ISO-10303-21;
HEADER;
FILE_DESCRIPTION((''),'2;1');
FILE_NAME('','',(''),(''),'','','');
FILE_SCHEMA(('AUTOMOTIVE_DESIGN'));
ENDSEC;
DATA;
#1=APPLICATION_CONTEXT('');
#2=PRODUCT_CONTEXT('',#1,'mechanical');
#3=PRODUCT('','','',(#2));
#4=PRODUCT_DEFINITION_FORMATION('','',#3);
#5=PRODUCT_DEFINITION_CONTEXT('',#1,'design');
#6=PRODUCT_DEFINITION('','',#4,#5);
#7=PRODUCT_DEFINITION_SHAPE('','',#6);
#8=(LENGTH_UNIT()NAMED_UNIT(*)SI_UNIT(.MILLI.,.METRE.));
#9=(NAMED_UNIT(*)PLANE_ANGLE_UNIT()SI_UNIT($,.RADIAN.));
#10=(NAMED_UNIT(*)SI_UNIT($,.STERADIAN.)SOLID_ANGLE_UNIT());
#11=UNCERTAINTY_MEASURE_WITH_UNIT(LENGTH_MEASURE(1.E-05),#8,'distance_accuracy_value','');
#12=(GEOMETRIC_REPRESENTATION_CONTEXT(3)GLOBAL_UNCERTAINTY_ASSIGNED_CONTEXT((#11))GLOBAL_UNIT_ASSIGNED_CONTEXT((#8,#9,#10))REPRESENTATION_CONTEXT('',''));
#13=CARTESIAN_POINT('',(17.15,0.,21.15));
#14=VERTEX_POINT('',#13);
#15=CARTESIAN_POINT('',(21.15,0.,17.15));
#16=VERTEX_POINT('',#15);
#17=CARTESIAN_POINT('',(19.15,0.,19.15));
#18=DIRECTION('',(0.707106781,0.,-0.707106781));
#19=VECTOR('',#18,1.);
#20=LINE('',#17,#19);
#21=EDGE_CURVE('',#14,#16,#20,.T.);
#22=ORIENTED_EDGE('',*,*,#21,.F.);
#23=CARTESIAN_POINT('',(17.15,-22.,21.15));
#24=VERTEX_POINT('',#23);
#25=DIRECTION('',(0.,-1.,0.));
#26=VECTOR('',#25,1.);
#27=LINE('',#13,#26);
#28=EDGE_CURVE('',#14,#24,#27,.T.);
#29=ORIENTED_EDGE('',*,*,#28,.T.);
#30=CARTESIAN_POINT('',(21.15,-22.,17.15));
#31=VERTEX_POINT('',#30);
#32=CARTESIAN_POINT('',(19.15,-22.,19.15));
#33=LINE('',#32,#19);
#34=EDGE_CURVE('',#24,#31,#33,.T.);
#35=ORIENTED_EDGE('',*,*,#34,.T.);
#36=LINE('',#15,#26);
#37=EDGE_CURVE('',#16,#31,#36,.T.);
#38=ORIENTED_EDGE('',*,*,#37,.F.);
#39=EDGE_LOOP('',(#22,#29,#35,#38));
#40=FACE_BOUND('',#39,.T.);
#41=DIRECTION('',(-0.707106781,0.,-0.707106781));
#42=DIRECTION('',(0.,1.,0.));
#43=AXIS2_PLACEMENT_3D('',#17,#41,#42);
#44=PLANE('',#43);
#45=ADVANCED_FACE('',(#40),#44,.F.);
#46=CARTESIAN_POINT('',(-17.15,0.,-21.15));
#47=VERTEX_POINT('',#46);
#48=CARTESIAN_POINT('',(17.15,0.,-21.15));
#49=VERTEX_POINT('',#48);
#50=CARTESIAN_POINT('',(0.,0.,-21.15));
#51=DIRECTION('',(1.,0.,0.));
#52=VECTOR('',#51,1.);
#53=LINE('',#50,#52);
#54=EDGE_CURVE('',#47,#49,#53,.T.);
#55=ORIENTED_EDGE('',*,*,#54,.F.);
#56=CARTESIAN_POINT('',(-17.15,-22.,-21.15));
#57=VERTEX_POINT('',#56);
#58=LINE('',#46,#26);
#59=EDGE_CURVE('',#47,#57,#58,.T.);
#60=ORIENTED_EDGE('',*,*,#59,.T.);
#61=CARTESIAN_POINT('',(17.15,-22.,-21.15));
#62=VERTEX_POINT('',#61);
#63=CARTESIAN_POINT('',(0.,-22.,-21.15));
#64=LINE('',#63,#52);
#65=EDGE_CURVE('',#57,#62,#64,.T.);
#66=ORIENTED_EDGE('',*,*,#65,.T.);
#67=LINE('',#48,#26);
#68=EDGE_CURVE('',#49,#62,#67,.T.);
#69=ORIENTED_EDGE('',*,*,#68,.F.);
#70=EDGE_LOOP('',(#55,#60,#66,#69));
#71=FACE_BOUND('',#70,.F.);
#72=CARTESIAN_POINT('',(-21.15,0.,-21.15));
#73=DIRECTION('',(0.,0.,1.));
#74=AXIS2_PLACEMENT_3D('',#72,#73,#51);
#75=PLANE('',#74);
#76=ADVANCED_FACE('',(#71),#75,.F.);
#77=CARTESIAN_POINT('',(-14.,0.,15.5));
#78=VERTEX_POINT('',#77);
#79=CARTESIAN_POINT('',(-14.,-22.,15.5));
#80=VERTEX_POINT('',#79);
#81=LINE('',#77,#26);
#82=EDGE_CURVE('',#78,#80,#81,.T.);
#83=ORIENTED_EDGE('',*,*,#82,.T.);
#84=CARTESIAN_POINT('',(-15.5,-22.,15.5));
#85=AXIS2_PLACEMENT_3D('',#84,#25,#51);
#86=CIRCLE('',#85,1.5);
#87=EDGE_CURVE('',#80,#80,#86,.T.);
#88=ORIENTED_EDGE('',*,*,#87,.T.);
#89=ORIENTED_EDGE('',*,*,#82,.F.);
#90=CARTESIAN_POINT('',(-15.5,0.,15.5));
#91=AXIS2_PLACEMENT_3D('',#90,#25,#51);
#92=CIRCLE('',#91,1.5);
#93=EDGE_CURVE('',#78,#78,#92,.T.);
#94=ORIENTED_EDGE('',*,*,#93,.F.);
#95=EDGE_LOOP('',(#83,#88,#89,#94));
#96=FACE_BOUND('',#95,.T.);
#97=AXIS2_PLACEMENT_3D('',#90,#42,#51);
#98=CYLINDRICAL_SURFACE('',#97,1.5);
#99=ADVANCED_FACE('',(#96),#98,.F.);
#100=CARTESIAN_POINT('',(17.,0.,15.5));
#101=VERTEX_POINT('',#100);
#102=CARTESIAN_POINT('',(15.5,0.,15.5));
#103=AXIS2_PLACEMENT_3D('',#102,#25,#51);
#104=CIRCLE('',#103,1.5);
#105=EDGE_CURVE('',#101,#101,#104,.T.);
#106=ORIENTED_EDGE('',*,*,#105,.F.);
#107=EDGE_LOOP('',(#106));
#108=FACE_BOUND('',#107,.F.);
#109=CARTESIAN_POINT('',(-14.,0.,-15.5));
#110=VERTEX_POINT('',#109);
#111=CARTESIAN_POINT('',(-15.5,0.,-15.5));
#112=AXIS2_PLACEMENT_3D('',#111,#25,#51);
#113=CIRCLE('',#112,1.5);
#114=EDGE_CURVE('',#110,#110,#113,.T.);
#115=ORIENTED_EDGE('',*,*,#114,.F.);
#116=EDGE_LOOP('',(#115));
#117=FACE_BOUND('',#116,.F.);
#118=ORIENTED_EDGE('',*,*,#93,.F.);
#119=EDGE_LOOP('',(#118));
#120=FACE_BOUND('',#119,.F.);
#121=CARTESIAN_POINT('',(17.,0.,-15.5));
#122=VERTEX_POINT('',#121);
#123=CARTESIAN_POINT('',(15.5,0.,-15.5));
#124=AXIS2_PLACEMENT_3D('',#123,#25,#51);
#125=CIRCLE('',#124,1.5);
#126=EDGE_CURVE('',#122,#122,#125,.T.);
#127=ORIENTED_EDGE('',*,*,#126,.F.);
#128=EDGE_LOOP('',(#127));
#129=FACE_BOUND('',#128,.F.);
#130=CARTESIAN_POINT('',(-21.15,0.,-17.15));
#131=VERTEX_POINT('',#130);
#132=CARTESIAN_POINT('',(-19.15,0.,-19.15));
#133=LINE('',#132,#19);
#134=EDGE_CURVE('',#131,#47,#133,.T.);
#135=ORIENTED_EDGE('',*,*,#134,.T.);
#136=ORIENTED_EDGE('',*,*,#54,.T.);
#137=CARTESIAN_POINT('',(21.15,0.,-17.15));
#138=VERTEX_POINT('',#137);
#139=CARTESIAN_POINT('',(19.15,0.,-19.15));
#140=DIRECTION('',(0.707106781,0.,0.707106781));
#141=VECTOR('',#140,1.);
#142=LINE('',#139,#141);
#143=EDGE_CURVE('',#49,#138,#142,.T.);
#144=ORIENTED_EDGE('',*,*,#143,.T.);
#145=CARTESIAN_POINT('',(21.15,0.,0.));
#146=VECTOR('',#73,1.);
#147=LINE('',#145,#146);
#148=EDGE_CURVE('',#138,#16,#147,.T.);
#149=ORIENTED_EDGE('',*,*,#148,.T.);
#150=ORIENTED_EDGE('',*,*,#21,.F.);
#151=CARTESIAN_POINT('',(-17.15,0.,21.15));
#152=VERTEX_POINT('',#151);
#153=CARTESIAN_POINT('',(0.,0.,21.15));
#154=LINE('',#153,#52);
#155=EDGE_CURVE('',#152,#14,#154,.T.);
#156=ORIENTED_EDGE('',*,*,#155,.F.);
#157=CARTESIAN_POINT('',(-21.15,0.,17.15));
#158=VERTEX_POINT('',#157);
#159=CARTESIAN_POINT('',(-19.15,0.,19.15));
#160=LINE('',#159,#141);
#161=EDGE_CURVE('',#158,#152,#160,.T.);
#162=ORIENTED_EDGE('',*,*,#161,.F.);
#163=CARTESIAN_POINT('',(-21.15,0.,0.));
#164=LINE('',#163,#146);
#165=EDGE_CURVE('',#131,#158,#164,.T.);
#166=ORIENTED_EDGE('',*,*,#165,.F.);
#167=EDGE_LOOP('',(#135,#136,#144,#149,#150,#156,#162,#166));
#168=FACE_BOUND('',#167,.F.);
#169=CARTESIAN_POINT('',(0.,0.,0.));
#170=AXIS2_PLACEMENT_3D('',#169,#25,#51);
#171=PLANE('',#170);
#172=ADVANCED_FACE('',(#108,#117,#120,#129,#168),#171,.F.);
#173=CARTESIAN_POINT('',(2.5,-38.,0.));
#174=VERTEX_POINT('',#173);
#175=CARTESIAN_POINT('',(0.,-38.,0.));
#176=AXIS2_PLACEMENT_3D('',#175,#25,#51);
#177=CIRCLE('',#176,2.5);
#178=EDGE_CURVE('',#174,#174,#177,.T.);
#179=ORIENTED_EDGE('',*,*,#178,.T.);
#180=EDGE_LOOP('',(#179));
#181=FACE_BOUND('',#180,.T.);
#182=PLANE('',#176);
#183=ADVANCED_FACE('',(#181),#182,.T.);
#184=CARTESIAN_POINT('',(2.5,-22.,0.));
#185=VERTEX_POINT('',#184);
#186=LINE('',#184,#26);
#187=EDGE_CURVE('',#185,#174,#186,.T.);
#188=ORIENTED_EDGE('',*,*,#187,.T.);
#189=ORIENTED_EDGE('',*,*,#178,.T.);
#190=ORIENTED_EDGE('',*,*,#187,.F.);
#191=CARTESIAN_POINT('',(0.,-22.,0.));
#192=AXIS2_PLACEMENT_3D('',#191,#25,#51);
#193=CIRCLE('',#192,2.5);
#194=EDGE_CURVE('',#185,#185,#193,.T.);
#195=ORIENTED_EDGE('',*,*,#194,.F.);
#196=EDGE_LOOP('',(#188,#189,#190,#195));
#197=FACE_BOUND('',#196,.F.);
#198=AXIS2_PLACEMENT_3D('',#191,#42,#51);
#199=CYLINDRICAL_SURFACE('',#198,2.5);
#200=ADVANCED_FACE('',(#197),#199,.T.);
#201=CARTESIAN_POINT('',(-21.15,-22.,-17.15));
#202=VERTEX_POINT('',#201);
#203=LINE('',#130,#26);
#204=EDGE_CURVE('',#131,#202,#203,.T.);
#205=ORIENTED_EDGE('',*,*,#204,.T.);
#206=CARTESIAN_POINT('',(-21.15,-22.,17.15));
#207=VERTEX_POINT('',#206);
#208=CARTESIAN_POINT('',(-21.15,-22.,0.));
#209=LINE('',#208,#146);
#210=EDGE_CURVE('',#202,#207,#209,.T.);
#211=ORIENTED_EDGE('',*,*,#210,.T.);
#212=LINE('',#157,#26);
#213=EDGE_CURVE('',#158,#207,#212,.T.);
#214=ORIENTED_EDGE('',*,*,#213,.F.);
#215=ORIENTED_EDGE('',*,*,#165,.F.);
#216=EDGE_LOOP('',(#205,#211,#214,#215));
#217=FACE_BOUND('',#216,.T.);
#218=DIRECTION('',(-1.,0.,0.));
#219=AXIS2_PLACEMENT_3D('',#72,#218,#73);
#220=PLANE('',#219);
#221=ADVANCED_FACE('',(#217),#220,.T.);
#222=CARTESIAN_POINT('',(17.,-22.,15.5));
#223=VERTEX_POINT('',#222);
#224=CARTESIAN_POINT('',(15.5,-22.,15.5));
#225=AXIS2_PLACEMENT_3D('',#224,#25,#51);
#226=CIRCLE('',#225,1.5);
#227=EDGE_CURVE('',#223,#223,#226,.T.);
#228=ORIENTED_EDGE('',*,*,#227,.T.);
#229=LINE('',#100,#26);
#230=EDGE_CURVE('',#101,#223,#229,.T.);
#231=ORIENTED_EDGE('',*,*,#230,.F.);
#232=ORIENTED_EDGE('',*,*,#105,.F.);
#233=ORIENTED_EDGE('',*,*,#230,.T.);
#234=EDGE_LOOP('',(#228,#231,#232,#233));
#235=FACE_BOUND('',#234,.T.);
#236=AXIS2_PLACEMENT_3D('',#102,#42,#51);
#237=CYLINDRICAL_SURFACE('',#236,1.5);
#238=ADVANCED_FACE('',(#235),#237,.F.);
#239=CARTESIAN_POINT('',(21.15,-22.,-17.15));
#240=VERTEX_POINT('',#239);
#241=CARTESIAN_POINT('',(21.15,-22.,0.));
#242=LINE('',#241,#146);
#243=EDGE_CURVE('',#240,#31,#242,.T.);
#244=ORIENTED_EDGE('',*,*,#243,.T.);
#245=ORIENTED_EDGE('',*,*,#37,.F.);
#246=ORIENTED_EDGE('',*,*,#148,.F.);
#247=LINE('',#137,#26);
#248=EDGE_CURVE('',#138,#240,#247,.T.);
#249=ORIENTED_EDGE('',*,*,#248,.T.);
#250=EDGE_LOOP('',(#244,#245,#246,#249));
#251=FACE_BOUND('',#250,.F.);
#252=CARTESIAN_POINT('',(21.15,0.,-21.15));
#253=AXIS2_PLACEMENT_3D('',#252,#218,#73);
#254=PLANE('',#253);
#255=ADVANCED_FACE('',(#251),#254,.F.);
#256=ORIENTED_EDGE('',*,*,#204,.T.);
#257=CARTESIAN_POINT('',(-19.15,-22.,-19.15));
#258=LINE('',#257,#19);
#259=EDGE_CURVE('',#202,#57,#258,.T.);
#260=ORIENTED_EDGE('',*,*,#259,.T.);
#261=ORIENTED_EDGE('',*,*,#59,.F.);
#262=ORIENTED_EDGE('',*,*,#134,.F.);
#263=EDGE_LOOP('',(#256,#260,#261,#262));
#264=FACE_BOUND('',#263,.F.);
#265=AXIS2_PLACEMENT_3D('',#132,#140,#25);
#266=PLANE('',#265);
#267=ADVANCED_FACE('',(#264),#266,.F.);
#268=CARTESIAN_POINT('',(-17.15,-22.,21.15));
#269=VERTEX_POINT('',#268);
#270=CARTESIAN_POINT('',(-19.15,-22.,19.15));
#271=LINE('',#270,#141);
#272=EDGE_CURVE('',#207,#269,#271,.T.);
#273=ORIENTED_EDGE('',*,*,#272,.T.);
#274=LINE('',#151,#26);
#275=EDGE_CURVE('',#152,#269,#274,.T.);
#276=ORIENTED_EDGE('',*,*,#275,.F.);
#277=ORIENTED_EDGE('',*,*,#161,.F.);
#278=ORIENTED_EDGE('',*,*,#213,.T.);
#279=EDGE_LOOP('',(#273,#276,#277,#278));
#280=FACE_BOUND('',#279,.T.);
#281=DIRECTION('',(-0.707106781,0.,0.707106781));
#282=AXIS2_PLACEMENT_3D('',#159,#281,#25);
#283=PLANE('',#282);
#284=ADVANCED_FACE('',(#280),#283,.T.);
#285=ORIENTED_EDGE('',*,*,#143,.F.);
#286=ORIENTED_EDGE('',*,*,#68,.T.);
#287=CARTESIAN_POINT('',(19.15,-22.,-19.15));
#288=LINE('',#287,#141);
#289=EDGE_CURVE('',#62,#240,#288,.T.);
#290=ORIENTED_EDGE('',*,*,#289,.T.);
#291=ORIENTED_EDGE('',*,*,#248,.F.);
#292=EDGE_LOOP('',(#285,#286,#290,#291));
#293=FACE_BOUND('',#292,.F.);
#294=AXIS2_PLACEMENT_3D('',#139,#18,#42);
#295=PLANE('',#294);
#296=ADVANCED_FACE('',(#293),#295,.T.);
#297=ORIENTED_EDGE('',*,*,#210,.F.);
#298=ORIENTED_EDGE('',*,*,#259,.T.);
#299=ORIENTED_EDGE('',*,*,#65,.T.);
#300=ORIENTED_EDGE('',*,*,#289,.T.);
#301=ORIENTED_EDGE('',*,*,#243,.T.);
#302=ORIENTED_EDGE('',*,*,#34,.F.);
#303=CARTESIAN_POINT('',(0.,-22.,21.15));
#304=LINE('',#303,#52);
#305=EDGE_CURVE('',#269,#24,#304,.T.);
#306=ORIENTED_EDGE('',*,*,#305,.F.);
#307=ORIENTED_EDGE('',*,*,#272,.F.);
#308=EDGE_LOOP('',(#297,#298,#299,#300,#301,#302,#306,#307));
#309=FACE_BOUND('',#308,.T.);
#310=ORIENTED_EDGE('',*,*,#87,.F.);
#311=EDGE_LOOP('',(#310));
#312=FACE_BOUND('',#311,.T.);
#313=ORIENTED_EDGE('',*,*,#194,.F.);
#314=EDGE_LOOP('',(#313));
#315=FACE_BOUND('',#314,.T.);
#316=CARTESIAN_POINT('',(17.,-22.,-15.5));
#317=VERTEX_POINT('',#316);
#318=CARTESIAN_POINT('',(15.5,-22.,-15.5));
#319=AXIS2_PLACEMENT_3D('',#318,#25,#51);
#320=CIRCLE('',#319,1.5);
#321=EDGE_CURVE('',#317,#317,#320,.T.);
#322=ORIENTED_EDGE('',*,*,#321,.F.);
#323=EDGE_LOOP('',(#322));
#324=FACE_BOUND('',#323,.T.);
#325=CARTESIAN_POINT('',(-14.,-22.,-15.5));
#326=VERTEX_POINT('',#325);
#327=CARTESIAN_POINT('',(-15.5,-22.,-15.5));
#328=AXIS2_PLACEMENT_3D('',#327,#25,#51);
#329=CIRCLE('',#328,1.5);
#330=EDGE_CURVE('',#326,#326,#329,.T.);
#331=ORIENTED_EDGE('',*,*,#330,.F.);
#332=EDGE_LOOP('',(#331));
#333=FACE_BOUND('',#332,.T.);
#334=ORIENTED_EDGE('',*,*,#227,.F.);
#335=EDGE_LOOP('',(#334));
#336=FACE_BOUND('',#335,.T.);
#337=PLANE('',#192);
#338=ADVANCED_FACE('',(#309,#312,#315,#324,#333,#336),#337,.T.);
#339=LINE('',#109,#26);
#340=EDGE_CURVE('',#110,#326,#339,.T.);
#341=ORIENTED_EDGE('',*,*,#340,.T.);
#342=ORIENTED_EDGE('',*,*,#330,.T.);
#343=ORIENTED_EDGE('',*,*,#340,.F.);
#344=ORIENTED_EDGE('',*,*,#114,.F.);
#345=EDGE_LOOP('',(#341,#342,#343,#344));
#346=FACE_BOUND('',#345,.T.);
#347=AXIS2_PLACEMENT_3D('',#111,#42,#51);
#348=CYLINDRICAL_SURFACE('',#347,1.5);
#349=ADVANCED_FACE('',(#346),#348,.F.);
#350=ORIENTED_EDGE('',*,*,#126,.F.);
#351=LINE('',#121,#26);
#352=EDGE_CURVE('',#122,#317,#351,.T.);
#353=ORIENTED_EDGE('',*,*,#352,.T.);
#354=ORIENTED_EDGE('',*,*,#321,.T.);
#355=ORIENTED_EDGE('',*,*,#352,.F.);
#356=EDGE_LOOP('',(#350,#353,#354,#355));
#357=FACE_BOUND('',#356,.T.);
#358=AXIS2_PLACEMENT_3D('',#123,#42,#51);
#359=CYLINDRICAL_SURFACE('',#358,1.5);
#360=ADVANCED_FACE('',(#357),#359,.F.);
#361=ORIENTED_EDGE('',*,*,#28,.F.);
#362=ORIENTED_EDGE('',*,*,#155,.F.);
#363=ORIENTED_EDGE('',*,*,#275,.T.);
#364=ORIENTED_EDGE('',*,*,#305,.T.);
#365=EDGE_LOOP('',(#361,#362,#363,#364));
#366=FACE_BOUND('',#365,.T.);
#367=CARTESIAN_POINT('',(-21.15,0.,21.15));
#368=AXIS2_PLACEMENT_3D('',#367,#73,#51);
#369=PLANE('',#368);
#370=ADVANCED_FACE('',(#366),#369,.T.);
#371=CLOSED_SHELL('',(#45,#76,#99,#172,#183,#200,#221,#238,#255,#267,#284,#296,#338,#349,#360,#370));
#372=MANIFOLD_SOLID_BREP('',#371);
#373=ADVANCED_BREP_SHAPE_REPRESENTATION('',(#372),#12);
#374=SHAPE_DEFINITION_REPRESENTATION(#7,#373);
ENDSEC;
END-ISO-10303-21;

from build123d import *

# Parameters (mm, degrees)
F0_W     = 42.3
F0_H     = 42.3
F0_R     = 1.5
F1_DEPTH = 22
F2_R     = 2.5
F3_DEPTH = 16
F4_SIZE  = 4


with BuildPart() as f1:
    # F0 (on Front) → F1 (new body)
    with BuildSketch(Plane.XZ):
        Rectangle(F0_W, F0_H)
        with Locations((-15.5, -15.5)):
            Circle(F0_R, mode=Mode.SUBTRACT)
        with Locations((15.5, -15.5)):
            Circle(F0_R, mode=Mode.SUBTRACT)
        with Locations((-15.5, 15.5)):
            Circle(F0_R, mode=Mode.SUBTRACT)
        with Locations((15.5, 15.5)):
            Circle(F0_R, mode=Mode.SUBTRACT)
    extrude(amount=F1_DEPTH)

    # F2 (on face) → F3 (join)
    with BuildSketch(Plane.XZ.offset(22)):
        Circle(F2_R)
    extrude(amount=F3_DEPTH)

    # F4
    f4_edges = [f1.edges().sort_by_distance(p)[0] for p in [
        (21.15, -11, 21.15),
        (21.15, -11, -21.15),
        (-21.15, -11, 21.15),
        (-21.15, -11, -21.15),
    ]]
    chamfer(f4_edges, length=F4_SIZE)


solid = f1.part
